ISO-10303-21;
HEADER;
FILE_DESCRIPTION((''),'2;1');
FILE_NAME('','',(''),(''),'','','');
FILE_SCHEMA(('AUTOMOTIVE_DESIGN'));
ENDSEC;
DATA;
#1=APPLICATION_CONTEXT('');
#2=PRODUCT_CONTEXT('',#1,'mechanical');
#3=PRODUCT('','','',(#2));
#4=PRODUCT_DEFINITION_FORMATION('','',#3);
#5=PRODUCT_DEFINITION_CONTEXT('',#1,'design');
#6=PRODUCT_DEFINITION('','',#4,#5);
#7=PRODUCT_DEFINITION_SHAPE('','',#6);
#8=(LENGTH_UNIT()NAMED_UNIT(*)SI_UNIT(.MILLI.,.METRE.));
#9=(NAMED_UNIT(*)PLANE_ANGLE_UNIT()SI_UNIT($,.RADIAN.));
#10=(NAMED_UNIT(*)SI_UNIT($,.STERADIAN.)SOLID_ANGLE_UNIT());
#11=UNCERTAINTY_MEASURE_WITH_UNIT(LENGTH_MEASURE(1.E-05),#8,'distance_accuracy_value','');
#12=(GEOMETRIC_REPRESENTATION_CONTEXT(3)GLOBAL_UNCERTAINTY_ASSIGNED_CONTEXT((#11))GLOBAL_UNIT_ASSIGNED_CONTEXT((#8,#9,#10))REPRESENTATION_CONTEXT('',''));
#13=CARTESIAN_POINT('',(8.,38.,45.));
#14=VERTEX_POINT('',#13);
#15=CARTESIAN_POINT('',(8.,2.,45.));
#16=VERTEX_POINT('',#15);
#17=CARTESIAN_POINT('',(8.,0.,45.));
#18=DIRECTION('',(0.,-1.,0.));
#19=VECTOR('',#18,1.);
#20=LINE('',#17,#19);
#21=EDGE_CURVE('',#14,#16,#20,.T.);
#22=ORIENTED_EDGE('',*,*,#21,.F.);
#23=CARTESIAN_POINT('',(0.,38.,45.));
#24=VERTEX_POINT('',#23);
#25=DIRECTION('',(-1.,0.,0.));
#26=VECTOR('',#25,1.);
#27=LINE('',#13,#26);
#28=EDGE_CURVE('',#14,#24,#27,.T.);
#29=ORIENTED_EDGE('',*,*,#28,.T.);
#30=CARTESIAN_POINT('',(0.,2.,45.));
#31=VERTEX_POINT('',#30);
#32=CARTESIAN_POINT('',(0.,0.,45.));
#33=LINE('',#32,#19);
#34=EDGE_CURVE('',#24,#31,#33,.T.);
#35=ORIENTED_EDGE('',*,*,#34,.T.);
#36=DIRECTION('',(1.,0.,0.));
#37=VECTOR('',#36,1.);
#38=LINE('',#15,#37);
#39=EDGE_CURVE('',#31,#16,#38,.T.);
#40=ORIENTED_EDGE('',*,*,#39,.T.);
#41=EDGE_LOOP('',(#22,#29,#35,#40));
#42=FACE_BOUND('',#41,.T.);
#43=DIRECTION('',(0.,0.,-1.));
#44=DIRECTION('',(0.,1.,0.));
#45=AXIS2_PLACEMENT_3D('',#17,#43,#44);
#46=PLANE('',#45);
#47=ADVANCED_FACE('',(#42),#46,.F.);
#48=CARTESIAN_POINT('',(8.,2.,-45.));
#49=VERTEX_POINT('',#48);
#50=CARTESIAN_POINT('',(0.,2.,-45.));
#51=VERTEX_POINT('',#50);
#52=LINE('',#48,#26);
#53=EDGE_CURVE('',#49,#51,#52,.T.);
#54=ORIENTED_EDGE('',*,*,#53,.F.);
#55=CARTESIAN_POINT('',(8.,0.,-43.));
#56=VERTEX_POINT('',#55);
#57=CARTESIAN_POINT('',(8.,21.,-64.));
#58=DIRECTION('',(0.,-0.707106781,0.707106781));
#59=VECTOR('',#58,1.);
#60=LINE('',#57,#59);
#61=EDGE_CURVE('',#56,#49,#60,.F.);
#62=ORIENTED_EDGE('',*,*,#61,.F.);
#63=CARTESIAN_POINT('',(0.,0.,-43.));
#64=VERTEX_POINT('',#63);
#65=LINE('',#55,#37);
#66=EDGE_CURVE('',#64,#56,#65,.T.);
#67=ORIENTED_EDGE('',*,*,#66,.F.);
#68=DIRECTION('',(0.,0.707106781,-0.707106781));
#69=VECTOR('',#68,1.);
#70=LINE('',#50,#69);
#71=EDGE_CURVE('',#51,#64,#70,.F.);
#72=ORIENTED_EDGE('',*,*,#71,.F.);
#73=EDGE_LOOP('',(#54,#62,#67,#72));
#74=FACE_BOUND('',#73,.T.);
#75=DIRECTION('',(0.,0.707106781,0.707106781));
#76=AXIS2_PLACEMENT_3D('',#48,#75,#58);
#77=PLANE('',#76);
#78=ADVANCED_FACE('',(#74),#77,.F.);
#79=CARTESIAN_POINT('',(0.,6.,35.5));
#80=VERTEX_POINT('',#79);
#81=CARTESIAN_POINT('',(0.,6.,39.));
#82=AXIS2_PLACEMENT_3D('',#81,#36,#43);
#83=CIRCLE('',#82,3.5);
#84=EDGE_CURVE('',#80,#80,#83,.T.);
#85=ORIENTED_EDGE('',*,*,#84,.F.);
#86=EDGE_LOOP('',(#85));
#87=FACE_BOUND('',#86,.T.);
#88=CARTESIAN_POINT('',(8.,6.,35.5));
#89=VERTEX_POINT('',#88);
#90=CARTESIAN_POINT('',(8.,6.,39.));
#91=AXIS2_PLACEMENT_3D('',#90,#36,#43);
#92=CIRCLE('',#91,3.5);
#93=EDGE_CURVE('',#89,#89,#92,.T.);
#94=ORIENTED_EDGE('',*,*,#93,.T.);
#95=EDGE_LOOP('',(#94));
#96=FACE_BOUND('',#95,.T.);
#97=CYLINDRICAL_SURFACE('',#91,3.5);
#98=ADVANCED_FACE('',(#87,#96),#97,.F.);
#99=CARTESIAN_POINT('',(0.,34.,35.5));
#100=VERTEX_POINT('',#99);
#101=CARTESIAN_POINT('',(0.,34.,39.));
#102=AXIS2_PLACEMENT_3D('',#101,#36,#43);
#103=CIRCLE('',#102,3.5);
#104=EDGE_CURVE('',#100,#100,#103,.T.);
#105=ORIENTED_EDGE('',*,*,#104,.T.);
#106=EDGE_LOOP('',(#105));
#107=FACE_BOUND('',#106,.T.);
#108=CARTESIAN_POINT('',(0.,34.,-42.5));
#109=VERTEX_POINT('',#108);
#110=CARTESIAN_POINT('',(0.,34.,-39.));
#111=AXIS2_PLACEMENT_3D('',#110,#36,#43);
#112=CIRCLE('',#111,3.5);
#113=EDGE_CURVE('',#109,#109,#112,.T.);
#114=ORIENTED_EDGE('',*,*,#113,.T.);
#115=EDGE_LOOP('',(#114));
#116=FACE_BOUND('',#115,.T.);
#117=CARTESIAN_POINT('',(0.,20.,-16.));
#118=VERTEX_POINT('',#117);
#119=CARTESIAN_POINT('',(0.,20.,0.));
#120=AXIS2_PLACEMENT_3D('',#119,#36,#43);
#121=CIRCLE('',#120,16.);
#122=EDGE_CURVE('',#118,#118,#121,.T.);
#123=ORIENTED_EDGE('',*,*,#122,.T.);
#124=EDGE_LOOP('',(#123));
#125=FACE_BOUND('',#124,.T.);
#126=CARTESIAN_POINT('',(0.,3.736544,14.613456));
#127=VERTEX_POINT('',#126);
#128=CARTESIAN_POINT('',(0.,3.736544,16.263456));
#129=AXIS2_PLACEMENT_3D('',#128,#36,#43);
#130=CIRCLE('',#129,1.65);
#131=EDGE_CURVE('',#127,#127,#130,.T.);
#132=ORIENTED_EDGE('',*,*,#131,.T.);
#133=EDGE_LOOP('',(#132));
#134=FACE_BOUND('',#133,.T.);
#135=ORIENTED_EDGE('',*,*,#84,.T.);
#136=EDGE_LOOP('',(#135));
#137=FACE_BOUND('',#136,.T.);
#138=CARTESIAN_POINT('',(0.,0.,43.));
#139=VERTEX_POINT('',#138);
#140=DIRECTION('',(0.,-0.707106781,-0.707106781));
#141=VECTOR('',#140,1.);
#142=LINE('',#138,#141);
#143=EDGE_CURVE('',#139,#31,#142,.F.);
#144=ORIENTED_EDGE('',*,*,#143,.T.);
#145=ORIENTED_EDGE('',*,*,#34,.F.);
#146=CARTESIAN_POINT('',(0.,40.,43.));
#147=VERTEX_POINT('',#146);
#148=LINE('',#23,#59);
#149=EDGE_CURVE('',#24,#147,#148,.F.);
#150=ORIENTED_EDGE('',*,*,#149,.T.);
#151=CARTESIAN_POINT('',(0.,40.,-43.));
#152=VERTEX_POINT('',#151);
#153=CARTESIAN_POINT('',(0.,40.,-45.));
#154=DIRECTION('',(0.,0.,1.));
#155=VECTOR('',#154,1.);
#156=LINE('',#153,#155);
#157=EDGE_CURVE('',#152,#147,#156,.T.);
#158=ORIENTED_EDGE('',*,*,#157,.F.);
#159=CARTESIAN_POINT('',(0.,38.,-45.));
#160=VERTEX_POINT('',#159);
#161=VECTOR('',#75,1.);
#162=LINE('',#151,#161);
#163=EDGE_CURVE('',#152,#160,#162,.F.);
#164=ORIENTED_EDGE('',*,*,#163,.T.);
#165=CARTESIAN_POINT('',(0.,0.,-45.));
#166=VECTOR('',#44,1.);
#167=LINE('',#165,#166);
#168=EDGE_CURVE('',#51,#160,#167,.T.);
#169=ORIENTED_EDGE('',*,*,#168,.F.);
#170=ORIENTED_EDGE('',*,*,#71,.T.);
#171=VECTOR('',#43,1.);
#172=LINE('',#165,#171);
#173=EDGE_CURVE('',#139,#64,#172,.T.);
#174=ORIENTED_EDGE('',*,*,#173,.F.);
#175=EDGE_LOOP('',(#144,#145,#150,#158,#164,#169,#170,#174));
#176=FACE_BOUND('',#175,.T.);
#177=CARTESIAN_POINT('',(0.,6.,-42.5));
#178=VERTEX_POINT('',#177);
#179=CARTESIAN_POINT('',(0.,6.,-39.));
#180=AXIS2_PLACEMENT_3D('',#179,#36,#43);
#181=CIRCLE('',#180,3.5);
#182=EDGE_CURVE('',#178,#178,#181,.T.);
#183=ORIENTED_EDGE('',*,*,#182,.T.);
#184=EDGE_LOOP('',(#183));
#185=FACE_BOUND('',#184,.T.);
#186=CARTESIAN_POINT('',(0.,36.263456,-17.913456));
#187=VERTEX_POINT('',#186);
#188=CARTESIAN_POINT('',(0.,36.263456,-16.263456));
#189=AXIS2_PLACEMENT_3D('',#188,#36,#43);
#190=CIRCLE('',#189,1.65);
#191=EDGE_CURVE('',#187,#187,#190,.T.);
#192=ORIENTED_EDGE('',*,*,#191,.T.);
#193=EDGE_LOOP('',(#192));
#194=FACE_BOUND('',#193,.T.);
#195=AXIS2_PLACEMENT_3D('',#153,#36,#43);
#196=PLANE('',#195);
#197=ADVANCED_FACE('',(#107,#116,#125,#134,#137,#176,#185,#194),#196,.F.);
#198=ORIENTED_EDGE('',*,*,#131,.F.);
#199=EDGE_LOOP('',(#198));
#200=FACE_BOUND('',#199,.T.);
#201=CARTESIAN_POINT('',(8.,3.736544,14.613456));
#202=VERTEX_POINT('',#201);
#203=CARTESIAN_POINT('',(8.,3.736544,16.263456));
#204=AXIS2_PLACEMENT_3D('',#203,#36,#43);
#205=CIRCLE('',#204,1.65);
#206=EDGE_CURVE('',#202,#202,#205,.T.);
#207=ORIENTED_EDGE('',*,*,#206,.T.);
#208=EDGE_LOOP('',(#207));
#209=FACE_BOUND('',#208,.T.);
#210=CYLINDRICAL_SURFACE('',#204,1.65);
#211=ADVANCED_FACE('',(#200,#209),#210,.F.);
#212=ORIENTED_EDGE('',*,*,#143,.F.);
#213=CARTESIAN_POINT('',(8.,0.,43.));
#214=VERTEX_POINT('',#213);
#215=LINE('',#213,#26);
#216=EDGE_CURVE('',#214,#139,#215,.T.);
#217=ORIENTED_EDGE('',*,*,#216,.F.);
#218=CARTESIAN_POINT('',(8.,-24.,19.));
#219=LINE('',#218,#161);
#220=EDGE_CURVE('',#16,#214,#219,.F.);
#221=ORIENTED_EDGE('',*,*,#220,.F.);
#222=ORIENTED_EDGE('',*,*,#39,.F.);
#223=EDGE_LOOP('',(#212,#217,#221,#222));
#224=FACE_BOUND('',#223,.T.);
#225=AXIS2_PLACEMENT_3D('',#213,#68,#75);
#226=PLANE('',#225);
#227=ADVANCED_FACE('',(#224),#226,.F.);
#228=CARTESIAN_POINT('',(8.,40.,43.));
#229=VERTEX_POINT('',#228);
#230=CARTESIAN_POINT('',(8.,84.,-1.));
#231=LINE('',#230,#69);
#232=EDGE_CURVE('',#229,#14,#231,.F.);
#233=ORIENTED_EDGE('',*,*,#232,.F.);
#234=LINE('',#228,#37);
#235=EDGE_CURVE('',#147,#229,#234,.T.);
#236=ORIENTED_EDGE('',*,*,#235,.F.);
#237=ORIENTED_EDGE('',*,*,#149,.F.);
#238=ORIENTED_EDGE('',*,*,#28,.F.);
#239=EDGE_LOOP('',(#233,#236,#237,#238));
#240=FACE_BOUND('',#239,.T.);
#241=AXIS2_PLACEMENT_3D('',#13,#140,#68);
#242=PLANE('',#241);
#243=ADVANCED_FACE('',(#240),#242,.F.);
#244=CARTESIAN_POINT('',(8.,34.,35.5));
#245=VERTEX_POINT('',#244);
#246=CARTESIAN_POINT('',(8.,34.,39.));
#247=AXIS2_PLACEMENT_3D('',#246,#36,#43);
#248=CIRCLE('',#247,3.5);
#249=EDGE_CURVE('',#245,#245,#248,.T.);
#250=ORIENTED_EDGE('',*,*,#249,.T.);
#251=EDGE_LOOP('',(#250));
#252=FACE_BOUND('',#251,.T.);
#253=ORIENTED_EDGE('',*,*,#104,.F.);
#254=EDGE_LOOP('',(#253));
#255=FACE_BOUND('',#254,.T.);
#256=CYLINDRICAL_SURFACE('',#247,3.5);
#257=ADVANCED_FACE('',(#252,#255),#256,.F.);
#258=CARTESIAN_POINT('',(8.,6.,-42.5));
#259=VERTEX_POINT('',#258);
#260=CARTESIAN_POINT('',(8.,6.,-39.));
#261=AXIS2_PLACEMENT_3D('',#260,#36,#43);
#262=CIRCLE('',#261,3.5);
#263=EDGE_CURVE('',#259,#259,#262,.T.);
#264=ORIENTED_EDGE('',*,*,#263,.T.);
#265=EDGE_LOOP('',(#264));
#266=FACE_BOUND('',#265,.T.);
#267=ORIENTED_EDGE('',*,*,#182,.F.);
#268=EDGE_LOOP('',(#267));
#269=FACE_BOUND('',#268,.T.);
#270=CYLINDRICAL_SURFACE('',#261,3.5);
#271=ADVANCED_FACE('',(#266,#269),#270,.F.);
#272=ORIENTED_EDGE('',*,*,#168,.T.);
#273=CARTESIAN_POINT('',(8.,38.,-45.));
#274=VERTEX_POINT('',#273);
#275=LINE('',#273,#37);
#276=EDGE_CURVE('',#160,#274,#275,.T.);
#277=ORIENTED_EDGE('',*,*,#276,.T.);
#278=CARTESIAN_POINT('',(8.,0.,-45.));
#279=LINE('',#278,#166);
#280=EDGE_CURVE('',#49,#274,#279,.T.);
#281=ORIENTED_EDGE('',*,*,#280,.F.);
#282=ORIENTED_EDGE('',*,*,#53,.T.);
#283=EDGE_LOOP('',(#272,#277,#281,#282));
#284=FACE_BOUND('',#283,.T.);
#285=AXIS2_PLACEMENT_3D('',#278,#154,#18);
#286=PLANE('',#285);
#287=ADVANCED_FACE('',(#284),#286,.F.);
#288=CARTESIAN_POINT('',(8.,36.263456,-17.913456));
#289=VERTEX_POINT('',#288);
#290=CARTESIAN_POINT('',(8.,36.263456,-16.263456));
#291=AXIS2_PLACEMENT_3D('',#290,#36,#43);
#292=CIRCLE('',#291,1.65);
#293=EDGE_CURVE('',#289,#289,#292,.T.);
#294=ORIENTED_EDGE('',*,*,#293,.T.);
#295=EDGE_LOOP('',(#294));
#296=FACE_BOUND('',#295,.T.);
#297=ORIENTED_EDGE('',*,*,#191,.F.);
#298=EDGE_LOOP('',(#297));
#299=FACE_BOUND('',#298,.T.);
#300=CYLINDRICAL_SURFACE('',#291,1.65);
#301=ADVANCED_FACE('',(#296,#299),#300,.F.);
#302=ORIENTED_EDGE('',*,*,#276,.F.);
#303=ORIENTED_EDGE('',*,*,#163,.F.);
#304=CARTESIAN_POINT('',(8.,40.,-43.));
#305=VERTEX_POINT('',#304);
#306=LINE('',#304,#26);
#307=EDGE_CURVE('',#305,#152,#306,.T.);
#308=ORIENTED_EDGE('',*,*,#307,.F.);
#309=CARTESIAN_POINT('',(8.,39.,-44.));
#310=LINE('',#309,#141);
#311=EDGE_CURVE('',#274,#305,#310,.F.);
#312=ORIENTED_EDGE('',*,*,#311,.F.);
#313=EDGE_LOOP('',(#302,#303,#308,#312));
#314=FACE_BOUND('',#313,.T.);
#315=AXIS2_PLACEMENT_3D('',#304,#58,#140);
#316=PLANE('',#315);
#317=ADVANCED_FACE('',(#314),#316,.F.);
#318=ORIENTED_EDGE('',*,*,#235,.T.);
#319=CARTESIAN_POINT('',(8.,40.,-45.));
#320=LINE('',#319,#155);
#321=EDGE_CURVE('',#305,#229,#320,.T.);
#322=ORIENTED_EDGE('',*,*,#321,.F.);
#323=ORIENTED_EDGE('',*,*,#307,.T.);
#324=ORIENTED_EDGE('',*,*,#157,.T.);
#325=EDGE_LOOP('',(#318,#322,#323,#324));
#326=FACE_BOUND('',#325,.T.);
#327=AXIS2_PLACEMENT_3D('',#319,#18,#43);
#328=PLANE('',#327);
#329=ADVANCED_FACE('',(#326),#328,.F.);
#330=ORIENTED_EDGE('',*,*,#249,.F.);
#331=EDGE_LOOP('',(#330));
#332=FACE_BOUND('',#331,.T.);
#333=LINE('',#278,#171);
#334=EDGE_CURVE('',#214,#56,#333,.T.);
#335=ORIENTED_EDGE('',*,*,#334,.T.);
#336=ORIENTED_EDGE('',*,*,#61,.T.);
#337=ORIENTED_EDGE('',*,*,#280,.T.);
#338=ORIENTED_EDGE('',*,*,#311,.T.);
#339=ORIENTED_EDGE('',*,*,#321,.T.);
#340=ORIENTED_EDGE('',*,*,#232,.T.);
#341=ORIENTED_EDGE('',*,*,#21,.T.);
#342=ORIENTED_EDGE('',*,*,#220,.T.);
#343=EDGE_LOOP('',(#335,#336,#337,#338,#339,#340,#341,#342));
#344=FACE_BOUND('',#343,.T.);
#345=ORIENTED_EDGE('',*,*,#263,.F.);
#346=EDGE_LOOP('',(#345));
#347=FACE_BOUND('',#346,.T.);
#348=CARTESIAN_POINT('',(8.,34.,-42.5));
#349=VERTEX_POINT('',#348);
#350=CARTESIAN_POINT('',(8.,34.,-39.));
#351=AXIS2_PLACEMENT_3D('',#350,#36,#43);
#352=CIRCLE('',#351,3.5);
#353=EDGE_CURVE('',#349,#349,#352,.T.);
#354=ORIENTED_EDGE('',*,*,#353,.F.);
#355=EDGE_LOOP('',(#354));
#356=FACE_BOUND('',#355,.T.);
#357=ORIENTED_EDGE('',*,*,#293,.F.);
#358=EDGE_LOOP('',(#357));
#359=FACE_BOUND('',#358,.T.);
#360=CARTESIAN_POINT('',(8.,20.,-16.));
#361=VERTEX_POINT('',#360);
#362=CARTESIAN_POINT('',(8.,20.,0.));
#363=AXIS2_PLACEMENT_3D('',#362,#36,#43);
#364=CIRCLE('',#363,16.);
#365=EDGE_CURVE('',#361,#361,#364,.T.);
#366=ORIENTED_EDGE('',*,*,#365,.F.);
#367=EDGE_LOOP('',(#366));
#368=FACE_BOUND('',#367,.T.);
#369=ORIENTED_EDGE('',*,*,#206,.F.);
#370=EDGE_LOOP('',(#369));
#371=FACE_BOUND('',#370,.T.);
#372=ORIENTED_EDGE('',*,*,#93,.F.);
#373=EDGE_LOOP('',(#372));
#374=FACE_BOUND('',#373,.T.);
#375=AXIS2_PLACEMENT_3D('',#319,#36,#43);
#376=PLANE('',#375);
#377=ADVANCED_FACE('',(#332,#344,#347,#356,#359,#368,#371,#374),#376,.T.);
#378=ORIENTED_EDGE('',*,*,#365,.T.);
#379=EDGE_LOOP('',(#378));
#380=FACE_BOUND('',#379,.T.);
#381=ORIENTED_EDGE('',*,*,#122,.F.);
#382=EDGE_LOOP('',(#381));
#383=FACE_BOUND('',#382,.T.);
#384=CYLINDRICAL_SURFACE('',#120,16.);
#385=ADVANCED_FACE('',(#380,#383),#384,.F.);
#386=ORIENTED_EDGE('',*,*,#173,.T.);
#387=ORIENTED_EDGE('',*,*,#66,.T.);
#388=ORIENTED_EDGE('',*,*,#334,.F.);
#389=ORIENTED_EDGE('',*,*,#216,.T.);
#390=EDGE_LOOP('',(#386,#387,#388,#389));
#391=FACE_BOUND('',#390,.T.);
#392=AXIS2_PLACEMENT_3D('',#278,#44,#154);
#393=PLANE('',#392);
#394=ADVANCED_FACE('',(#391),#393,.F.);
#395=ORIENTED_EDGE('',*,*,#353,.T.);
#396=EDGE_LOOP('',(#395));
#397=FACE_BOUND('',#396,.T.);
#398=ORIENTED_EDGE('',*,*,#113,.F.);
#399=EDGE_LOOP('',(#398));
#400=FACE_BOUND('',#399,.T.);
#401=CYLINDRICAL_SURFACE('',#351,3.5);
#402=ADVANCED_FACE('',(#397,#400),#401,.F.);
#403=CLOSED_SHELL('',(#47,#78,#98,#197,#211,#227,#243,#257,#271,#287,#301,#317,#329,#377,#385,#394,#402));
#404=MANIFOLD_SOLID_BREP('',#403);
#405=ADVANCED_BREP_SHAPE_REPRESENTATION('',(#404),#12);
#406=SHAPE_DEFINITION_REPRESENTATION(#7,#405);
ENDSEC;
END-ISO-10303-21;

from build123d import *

# Parameters (mm, degrees)
SKETCH1_W                    = 90
SKETCH1_H                    = 40
BOSS_EXTRUDE1_DEPTH          = 8
SKETCH2_R                    = 16
CUT_EXTRUDE1_DEPTH           = 61.737138556
F_7_0_7_DIAMETER_HOLE1_D     = 7
F_7_0_7_DIAMETER_HOLE1_DEPTH = 60
F_7_0_7_DIAMETER_HOLE1_TIP   = 2.103012167
M4X0_7_TAPPED_HOLE1_D        = 3.3
CHAMFER1_SIZE                = 2


with BuildPart() as part:
    # Sketch1 → Boss-Extrude1 (new body)
    with BuildSketch(Plane(origin=(0, 0, 0), x_dir=(0, 0, -1), z_dir=(1, 0, 0))):
        with Locations((0, 20)):
            Rectangle(SKETCH1_W, SKETCH1_H)
    extrude(amount=BOSS_EXTRUDE1_DEPTH)

    # Sketch2 → Cut-Extrude1 (cut, through all)
    with BuildSketch(Plane(origin=(8, 0, 0), x_dir=(0, 0, -1), z_dir=(1, 0, 0))):
        with Locations((0, 20)):
            Circle(SKETCH2_R)
    extrude(amount=-CUT_EXTRUDE1_DEPTH, mode=Mode.SUBTRACT)

    # Ø7.0 (7) Diameter Hole1
    with Locations(Plane(origin=(8, 0, 0), x_dir=(0, 0, -1), z_dir=(1, 0, 0))):
        with Locations((-39, 6), (39, 6), (39, 34), (-39, 34)):
            Hole(F_7_0_7_DIAMETER_HOLE1_D / 2, depth=F_7_0_7_DIAMETER_HOLE1_DEPTH)
            with Locations((0, 0, -(F_7_0_7_DIAMETER_HOLE1_DEPTH + F_7_0_7_DIAMETER_HOLE1_TIP / 2))):  # 118° drill point
                Cone(0, F_7_0_7_DIAMETER_HOLE1_D / 2, F_7_0_7_DIAMETER_HOLE1_TIP, mode=Mode.SUBTRACT)

    # M4x0.7 Tapped Hole1 (through all)
    with Locations(Plane(origin=(8, 0, 0), x_dir=(0, 0, -1), z_dir=(1, 0, 0))):
        with Locations((16.263455967, 36.263455967), (-16.263455967, 3.736544033)):
            Hole(M4X0_7_TAPPED_HOLE1_D / 2)

    # Chamfer1
    chamfer1_edges = [part.edges().sort_by_distance(p)[0] for p in [
        (4, 0, -45),
        (4, 0, 45),
        (4, 40, 45),
        (4, 40, -45),
    ]]
    chamfer(chamfer1_edges, length=CHAMFER1_SIZE)


solid = part.part
